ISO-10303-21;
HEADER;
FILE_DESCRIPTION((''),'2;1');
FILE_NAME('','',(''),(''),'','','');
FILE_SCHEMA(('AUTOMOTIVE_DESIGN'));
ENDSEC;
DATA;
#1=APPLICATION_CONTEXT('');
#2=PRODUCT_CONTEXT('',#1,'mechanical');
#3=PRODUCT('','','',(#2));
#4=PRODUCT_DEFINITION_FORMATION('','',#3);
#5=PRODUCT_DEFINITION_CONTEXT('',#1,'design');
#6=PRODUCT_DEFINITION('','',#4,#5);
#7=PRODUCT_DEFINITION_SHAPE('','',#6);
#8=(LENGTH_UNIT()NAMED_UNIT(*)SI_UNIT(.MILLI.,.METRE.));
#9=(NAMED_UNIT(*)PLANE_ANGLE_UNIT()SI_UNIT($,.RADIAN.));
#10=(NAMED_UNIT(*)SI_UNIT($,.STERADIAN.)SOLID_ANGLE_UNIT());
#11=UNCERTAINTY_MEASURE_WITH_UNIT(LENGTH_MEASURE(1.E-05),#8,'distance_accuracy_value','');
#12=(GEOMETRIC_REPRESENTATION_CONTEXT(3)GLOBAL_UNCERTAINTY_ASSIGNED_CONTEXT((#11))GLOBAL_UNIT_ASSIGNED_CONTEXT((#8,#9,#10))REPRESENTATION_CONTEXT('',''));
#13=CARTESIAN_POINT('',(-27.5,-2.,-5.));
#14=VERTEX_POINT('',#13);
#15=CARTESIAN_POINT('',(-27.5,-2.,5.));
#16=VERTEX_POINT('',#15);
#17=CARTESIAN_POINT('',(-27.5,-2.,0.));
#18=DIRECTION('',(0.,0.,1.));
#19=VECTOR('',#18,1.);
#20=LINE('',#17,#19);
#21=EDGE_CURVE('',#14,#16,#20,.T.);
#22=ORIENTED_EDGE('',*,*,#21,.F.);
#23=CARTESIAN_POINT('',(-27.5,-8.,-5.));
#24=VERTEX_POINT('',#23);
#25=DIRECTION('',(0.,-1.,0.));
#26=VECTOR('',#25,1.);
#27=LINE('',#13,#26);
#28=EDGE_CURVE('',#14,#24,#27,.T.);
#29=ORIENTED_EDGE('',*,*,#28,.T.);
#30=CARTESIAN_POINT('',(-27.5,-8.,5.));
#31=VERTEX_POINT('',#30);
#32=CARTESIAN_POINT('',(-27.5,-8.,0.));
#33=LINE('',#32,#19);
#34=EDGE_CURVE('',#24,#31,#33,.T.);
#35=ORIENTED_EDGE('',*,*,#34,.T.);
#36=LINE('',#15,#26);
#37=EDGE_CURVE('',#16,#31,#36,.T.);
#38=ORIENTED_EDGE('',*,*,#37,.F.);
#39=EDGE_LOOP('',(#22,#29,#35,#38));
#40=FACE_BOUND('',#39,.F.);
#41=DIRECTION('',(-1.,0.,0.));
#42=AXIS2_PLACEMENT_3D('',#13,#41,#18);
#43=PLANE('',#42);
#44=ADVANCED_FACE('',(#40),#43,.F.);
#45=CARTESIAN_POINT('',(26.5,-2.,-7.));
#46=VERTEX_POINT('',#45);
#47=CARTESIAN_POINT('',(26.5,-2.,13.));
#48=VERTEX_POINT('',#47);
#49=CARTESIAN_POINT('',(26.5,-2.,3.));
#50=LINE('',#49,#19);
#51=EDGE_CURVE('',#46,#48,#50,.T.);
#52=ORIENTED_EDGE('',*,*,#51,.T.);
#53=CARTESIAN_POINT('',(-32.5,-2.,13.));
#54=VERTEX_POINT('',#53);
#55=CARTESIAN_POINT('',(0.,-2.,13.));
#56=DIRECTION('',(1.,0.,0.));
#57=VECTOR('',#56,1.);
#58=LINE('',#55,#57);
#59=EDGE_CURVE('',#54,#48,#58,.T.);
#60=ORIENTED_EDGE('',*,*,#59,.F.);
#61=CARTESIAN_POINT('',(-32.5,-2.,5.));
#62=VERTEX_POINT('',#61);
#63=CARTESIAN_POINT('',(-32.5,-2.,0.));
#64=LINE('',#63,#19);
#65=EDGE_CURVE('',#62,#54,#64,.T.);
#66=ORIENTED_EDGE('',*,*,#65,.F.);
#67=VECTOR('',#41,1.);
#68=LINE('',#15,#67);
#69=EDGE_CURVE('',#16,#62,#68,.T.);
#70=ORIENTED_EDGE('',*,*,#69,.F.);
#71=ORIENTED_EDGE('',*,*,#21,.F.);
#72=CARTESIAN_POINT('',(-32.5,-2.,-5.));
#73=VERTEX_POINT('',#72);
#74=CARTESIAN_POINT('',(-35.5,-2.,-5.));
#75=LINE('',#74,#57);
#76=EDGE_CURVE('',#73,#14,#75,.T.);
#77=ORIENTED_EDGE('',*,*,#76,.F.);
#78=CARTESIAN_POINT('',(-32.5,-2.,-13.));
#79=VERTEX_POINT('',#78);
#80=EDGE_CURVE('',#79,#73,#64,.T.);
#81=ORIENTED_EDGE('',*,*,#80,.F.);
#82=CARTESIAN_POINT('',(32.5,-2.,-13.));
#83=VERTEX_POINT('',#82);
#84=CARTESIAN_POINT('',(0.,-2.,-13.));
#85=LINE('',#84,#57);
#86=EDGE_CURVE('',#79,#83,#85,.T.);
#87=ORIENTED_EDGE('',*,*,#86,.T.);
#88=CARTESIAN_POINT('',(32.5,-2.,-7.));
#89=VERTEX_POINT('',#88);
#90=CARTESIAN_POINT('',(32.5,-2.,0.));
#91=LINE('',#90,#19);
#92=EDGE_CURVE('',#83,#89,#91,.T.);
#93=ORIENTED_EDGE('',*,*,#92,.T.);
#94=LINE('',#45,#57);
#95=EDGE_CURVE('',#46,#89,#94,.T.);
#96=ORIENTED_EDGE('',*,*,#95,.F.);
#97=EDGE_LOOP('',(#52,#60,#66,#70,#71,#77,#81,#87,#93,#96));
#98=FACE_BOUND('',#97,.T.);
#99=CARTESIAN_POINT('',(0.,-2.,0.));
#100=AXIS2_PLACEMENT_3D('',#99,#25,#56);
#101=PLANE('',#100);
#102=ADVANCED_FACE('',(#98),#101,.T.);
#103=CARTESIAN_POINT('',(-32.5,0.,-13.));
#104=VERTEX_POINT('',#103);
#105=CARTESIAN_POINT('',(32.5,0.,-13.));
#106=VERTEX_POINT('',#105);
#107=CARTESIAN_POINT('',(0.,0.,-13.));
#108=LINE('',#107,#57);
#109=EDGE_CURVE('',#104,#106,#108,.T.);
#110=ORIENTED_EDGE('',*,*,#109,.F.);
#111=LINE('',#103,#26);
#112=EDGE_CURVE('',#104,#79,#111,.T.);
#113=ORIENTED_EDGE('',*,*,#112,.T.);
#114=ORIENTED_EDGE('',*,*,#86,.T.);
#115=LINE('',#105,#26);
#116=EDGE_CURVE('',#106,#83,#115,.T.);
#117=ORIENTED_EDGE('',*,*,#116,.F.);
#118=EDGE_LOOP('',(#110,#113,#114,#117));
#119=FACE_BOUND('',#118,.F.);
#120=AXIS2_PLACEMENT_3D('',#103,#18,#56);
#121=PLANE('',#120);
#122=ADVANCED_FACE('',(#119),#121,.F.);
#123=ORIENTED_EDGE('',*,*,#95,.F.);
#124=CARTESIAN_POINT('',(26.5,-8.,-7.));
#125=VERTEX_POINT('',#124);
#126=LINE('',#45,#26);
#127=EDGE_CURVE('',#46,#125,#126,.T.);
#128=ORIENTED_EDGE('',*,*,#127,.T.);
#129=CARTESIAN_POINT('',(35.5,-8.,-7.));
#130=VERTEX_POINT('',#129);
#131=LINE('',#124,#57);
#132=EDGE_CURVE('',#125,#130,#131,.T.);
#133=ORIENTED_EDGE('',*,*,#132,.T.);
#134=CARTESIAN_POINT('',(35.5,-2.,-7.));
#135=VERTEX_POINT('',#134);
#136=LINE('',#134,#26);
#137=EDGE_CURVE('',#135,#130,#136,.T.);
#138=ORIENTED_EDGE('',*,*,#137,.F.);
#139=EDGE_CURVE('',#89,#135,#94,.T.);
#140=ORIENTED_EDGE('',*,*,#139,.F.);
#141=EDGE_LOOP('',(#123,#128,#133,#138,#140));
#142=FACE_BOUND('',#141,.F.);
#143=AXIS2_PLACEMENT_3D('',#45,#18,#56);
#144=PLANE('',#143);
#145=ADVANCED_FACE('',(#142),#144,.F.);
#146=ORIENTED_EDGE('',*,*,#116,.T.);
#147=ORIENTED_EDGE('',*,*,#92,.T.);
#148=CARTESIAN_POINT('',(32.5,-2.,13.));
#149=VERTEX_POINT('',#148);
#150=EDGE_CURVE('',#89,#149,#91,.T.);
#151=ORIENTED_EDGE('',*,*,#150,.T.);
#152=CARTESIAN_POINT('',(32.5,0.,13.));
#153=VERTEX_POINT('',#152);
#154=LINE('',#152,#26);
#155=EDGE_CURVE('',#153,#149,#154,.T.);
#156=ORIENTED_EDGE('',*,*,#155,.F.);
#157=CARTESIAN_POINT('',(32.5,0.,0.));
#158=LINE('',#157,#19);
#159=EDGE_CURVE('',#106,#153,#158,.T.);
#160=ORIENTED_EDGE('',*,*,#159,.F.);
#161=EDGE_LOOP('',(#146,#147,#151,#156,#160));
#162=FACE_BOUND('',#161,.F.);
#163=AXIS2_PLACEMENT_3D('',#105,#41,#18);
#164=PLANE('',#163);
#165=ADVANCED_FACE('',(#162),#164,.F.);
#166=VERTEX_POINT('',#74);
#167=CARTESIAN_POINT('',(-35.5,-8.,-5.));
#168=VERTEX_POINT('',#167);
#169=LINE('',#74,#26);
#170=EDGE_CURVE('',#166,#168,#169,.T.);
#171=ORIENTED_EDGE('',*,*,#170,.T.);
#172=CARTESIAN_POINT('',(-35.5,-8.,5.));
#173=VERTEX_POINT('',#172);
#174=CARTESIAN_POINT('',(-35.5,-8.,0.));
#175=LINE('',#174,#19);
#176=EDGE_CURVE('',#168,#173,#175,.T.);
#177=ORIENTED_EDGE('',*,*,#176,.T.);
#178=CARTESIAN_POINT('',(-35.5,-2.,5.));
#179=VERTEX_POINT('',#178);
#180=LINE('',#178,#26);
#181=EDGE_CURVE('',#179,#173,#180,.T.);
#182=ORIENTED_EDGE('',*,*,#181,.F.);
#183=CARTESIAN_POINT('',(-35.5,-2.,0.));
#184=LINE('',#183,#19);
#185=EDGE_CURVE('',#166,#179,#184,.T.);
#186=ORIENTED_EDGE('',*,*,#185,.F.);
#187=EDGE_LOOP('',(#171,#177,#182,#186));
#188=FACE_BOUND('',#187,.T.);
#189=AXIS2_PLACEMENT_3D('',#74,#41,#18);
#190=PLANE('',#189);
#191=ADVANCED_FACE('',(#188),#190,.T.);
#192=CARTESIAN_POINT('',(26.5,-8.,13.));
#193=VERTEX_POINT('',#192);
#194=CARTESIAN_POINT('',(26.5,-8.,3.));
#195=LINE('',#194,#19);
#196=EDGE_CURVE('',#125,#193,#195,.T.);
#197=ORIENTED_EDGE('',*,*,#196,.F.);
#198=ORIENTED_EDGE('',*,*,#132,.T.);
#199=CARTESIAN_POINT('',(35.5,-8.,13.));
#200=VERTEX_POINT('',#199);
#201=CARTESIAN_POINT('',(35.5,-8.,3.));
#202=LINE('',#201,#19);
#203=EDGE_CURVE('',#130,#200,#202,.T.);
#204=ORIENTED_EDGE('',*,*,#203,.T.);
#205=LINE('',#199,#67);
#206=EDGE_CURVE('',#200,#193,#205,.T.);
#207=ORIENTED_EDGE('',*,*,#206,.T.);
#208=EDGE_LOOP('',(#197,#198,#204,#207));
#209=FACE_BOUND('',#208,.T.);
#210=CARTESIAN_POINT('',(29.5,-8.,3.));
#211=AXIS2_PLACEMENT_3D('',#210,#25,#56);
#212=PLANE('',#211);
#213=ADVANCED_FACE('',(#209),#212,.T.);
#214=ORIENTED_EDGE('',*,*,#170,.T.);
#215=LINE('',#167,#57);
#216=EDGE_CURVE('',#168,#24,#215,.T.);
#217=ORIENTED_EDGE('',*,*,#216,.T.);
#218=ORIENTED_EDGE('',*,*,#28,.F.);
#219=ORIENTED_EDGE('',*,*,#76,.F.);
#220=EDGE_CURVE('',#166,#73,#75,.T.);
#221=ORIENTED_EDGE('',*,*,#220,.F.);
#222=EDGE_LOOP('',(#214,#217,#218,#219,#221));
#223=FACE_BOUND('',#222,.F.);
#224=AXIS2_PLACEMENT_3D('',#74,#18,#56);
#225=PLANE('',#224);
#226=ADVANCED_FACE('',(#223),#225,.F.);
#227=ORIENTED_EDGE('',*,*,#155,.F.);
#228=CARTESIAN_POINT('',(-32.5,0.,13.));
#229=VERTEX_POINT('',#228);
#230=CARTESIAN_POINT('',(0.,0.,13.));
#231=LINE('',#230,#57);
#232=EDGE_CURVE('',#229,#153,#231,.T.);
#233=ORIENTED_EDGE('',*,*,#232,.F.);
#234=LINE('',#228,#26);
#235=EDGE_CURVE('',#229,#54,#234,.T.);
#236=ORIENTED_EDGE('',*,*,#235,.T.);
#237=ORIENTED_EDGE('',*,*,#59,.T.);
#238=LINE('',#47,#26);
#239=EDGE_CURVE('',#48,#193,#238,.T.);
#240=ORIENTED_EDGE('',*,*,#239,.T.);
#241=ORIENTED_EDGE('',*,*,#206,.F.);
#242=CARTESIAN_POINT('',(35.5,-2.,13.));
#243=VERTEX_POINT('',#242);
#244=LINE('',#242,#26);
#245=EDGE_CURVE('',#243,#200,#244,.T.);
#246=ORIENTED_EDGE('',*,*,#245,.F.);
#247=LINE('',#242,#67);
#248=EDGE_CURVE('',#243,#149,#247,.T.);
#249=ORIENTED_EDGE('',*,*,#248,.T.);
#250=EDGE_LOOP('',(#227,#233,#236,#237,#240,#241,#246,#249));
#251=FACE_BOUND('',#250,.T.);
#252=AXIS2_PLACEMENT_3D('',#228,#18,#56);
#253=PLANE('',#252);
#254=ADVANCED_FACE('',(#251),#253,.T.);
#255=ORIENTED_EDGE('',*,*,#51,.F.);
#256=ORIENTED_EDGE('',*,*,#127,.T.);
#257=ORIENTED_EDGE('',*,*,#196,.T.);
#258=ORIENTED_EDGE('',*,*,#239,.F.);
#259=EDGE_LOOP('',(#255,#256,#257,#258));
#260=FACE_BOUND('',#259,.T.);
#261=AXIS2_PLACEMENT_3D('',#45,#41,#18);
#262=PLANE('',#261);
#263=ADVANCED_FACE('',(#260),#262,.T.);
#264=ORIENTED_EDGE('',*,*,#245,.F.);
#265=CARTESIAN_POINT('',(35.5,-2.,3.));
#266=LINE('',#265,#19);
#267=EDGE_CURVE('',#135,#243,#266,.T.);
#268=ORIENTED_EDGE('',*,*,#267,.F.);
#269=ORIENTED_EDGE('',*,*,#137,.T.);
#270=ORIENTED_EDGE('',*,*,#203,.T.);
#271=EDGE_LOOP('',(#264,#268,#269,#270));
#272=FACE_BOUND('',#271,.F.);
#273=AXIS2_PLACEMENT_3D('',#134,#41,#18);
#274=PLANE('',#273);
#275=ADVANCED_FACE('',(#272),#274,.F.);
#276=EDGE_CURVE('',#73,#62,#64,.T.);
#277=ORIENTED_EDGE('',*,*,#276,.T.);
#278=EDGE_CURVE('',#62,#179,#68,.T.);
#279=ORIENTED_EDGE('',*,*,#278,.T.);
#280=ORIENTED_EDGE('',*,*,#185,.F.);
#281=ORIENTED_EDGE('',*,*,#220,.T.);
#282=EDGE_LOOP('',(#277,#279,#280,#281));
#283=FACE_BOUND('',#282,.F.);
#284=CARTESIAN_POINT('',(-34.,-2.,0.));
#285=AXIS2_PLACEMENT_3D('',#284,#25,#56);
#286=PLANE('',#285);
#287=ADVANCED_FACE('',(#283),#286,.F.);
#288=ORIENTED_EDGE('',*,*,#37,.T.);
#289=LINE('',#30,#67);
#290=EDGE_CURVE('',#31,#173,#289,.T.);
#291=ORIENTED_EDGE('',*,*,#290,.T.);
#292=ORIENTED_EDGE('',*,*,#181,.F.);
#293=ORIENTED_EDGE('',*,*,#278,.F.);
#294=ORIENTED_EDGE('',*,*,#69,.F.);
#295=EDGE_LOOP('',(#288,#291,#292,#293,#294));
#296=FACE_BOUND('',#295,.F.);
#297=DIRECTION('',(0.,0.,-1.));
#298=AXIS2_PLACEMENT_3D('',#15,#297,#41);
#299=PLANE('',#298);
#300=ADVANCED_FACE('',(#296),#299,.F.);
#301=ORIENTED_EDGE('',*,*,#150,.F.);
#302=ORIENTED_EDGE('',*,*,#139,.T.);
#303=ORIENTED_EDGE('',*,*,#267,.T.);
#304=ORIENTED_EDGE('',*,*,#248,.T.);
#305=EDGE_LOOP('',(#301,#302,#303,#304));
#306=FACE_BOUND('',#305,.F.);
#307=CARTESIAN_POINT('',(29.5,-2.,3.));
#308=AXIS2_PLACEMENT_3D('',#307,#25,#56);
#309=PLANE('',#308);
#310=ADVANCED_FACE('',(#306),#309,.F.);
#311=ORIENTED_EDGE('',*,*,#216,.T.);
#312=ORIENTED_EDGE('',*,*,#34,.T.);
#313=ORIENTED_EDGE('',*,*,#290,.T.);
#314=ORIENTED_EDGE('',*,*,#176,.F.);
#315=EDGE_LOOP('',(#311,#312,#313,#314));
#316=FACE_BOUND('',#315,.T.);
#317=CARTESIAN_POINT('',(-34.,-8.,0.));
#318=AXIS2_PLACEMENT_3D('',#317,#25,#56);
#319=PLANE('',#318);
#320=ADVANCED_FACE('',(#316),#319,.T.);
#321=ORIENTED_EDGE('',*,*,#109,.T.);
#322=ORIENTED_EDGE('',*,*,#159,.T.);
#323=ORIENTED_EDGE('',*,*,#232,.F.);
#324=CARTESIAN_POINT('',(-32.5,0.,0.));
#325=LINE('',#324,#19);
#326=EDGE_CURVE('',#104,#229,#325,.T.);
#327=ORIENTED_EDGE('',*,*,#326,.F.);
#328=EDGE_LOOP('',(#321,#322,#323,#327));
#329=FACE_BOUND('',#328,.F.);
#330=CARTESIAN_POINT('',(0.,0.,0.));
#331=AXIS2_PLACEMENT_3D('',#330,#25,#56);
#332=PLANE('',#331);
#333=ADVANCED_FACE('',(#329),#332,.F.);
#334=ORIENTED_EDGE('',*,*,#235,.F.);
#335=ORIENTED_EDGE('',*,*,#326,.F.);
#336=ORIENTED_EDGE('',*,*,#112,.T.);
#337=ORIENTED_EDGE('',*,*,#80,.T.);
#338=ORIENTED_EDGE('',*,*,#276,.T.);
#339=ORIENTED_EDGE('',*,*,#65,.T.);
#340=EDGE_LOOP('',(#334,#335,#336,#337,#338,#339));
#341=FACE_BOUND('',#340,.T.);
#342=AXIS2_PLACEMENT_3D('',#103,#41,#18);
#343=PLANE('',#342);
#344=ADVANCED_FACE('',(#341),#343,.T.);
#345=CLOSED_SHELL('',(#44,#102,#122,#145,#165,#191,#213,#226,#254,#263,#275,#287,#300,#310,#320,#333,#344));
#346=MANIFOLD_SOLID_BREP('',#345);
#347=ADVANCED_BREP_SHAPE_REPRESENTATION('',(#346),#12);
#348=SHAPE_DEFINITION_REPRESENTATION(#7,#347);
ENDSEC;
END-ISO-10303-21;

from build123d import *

# Parameters (mm, degrees)
F0_W     = 65
F0_H     = 26
F1_DEPTH = 2
F2_W     = 3
F2_H     = 10
F2_W_2   = 5
F2_W_3   = 6
F2_H_2   = 20
F3_DEPTH = 6


with BuildPart() as f1:
    # F0 (on Front) → F1 (new body)
    with BuildSketch(Plane.XZ):
        Rectangle(F0_W, F0_H)
    extrude(amount=F1_DEPTH)

    # F2 (on face) → F3 (join)
    with BuildSketch(Plane.XZ.offset(2)):
        with Locations((-34, 0)):
            Rectangle(F2_W, F2_H)
        with Locations((-30, 0)):
            Rectangle(F2_W_2, F2_H)
        with Locations((29.5, 3)):
            Rectangle(F2_W_3, F2_H_2)
        with Locations((34, 3)):
            Rectangle(F2_W, F2_H_2)
    extrude(amount=F3_DEPTH)


solid = f1.part
